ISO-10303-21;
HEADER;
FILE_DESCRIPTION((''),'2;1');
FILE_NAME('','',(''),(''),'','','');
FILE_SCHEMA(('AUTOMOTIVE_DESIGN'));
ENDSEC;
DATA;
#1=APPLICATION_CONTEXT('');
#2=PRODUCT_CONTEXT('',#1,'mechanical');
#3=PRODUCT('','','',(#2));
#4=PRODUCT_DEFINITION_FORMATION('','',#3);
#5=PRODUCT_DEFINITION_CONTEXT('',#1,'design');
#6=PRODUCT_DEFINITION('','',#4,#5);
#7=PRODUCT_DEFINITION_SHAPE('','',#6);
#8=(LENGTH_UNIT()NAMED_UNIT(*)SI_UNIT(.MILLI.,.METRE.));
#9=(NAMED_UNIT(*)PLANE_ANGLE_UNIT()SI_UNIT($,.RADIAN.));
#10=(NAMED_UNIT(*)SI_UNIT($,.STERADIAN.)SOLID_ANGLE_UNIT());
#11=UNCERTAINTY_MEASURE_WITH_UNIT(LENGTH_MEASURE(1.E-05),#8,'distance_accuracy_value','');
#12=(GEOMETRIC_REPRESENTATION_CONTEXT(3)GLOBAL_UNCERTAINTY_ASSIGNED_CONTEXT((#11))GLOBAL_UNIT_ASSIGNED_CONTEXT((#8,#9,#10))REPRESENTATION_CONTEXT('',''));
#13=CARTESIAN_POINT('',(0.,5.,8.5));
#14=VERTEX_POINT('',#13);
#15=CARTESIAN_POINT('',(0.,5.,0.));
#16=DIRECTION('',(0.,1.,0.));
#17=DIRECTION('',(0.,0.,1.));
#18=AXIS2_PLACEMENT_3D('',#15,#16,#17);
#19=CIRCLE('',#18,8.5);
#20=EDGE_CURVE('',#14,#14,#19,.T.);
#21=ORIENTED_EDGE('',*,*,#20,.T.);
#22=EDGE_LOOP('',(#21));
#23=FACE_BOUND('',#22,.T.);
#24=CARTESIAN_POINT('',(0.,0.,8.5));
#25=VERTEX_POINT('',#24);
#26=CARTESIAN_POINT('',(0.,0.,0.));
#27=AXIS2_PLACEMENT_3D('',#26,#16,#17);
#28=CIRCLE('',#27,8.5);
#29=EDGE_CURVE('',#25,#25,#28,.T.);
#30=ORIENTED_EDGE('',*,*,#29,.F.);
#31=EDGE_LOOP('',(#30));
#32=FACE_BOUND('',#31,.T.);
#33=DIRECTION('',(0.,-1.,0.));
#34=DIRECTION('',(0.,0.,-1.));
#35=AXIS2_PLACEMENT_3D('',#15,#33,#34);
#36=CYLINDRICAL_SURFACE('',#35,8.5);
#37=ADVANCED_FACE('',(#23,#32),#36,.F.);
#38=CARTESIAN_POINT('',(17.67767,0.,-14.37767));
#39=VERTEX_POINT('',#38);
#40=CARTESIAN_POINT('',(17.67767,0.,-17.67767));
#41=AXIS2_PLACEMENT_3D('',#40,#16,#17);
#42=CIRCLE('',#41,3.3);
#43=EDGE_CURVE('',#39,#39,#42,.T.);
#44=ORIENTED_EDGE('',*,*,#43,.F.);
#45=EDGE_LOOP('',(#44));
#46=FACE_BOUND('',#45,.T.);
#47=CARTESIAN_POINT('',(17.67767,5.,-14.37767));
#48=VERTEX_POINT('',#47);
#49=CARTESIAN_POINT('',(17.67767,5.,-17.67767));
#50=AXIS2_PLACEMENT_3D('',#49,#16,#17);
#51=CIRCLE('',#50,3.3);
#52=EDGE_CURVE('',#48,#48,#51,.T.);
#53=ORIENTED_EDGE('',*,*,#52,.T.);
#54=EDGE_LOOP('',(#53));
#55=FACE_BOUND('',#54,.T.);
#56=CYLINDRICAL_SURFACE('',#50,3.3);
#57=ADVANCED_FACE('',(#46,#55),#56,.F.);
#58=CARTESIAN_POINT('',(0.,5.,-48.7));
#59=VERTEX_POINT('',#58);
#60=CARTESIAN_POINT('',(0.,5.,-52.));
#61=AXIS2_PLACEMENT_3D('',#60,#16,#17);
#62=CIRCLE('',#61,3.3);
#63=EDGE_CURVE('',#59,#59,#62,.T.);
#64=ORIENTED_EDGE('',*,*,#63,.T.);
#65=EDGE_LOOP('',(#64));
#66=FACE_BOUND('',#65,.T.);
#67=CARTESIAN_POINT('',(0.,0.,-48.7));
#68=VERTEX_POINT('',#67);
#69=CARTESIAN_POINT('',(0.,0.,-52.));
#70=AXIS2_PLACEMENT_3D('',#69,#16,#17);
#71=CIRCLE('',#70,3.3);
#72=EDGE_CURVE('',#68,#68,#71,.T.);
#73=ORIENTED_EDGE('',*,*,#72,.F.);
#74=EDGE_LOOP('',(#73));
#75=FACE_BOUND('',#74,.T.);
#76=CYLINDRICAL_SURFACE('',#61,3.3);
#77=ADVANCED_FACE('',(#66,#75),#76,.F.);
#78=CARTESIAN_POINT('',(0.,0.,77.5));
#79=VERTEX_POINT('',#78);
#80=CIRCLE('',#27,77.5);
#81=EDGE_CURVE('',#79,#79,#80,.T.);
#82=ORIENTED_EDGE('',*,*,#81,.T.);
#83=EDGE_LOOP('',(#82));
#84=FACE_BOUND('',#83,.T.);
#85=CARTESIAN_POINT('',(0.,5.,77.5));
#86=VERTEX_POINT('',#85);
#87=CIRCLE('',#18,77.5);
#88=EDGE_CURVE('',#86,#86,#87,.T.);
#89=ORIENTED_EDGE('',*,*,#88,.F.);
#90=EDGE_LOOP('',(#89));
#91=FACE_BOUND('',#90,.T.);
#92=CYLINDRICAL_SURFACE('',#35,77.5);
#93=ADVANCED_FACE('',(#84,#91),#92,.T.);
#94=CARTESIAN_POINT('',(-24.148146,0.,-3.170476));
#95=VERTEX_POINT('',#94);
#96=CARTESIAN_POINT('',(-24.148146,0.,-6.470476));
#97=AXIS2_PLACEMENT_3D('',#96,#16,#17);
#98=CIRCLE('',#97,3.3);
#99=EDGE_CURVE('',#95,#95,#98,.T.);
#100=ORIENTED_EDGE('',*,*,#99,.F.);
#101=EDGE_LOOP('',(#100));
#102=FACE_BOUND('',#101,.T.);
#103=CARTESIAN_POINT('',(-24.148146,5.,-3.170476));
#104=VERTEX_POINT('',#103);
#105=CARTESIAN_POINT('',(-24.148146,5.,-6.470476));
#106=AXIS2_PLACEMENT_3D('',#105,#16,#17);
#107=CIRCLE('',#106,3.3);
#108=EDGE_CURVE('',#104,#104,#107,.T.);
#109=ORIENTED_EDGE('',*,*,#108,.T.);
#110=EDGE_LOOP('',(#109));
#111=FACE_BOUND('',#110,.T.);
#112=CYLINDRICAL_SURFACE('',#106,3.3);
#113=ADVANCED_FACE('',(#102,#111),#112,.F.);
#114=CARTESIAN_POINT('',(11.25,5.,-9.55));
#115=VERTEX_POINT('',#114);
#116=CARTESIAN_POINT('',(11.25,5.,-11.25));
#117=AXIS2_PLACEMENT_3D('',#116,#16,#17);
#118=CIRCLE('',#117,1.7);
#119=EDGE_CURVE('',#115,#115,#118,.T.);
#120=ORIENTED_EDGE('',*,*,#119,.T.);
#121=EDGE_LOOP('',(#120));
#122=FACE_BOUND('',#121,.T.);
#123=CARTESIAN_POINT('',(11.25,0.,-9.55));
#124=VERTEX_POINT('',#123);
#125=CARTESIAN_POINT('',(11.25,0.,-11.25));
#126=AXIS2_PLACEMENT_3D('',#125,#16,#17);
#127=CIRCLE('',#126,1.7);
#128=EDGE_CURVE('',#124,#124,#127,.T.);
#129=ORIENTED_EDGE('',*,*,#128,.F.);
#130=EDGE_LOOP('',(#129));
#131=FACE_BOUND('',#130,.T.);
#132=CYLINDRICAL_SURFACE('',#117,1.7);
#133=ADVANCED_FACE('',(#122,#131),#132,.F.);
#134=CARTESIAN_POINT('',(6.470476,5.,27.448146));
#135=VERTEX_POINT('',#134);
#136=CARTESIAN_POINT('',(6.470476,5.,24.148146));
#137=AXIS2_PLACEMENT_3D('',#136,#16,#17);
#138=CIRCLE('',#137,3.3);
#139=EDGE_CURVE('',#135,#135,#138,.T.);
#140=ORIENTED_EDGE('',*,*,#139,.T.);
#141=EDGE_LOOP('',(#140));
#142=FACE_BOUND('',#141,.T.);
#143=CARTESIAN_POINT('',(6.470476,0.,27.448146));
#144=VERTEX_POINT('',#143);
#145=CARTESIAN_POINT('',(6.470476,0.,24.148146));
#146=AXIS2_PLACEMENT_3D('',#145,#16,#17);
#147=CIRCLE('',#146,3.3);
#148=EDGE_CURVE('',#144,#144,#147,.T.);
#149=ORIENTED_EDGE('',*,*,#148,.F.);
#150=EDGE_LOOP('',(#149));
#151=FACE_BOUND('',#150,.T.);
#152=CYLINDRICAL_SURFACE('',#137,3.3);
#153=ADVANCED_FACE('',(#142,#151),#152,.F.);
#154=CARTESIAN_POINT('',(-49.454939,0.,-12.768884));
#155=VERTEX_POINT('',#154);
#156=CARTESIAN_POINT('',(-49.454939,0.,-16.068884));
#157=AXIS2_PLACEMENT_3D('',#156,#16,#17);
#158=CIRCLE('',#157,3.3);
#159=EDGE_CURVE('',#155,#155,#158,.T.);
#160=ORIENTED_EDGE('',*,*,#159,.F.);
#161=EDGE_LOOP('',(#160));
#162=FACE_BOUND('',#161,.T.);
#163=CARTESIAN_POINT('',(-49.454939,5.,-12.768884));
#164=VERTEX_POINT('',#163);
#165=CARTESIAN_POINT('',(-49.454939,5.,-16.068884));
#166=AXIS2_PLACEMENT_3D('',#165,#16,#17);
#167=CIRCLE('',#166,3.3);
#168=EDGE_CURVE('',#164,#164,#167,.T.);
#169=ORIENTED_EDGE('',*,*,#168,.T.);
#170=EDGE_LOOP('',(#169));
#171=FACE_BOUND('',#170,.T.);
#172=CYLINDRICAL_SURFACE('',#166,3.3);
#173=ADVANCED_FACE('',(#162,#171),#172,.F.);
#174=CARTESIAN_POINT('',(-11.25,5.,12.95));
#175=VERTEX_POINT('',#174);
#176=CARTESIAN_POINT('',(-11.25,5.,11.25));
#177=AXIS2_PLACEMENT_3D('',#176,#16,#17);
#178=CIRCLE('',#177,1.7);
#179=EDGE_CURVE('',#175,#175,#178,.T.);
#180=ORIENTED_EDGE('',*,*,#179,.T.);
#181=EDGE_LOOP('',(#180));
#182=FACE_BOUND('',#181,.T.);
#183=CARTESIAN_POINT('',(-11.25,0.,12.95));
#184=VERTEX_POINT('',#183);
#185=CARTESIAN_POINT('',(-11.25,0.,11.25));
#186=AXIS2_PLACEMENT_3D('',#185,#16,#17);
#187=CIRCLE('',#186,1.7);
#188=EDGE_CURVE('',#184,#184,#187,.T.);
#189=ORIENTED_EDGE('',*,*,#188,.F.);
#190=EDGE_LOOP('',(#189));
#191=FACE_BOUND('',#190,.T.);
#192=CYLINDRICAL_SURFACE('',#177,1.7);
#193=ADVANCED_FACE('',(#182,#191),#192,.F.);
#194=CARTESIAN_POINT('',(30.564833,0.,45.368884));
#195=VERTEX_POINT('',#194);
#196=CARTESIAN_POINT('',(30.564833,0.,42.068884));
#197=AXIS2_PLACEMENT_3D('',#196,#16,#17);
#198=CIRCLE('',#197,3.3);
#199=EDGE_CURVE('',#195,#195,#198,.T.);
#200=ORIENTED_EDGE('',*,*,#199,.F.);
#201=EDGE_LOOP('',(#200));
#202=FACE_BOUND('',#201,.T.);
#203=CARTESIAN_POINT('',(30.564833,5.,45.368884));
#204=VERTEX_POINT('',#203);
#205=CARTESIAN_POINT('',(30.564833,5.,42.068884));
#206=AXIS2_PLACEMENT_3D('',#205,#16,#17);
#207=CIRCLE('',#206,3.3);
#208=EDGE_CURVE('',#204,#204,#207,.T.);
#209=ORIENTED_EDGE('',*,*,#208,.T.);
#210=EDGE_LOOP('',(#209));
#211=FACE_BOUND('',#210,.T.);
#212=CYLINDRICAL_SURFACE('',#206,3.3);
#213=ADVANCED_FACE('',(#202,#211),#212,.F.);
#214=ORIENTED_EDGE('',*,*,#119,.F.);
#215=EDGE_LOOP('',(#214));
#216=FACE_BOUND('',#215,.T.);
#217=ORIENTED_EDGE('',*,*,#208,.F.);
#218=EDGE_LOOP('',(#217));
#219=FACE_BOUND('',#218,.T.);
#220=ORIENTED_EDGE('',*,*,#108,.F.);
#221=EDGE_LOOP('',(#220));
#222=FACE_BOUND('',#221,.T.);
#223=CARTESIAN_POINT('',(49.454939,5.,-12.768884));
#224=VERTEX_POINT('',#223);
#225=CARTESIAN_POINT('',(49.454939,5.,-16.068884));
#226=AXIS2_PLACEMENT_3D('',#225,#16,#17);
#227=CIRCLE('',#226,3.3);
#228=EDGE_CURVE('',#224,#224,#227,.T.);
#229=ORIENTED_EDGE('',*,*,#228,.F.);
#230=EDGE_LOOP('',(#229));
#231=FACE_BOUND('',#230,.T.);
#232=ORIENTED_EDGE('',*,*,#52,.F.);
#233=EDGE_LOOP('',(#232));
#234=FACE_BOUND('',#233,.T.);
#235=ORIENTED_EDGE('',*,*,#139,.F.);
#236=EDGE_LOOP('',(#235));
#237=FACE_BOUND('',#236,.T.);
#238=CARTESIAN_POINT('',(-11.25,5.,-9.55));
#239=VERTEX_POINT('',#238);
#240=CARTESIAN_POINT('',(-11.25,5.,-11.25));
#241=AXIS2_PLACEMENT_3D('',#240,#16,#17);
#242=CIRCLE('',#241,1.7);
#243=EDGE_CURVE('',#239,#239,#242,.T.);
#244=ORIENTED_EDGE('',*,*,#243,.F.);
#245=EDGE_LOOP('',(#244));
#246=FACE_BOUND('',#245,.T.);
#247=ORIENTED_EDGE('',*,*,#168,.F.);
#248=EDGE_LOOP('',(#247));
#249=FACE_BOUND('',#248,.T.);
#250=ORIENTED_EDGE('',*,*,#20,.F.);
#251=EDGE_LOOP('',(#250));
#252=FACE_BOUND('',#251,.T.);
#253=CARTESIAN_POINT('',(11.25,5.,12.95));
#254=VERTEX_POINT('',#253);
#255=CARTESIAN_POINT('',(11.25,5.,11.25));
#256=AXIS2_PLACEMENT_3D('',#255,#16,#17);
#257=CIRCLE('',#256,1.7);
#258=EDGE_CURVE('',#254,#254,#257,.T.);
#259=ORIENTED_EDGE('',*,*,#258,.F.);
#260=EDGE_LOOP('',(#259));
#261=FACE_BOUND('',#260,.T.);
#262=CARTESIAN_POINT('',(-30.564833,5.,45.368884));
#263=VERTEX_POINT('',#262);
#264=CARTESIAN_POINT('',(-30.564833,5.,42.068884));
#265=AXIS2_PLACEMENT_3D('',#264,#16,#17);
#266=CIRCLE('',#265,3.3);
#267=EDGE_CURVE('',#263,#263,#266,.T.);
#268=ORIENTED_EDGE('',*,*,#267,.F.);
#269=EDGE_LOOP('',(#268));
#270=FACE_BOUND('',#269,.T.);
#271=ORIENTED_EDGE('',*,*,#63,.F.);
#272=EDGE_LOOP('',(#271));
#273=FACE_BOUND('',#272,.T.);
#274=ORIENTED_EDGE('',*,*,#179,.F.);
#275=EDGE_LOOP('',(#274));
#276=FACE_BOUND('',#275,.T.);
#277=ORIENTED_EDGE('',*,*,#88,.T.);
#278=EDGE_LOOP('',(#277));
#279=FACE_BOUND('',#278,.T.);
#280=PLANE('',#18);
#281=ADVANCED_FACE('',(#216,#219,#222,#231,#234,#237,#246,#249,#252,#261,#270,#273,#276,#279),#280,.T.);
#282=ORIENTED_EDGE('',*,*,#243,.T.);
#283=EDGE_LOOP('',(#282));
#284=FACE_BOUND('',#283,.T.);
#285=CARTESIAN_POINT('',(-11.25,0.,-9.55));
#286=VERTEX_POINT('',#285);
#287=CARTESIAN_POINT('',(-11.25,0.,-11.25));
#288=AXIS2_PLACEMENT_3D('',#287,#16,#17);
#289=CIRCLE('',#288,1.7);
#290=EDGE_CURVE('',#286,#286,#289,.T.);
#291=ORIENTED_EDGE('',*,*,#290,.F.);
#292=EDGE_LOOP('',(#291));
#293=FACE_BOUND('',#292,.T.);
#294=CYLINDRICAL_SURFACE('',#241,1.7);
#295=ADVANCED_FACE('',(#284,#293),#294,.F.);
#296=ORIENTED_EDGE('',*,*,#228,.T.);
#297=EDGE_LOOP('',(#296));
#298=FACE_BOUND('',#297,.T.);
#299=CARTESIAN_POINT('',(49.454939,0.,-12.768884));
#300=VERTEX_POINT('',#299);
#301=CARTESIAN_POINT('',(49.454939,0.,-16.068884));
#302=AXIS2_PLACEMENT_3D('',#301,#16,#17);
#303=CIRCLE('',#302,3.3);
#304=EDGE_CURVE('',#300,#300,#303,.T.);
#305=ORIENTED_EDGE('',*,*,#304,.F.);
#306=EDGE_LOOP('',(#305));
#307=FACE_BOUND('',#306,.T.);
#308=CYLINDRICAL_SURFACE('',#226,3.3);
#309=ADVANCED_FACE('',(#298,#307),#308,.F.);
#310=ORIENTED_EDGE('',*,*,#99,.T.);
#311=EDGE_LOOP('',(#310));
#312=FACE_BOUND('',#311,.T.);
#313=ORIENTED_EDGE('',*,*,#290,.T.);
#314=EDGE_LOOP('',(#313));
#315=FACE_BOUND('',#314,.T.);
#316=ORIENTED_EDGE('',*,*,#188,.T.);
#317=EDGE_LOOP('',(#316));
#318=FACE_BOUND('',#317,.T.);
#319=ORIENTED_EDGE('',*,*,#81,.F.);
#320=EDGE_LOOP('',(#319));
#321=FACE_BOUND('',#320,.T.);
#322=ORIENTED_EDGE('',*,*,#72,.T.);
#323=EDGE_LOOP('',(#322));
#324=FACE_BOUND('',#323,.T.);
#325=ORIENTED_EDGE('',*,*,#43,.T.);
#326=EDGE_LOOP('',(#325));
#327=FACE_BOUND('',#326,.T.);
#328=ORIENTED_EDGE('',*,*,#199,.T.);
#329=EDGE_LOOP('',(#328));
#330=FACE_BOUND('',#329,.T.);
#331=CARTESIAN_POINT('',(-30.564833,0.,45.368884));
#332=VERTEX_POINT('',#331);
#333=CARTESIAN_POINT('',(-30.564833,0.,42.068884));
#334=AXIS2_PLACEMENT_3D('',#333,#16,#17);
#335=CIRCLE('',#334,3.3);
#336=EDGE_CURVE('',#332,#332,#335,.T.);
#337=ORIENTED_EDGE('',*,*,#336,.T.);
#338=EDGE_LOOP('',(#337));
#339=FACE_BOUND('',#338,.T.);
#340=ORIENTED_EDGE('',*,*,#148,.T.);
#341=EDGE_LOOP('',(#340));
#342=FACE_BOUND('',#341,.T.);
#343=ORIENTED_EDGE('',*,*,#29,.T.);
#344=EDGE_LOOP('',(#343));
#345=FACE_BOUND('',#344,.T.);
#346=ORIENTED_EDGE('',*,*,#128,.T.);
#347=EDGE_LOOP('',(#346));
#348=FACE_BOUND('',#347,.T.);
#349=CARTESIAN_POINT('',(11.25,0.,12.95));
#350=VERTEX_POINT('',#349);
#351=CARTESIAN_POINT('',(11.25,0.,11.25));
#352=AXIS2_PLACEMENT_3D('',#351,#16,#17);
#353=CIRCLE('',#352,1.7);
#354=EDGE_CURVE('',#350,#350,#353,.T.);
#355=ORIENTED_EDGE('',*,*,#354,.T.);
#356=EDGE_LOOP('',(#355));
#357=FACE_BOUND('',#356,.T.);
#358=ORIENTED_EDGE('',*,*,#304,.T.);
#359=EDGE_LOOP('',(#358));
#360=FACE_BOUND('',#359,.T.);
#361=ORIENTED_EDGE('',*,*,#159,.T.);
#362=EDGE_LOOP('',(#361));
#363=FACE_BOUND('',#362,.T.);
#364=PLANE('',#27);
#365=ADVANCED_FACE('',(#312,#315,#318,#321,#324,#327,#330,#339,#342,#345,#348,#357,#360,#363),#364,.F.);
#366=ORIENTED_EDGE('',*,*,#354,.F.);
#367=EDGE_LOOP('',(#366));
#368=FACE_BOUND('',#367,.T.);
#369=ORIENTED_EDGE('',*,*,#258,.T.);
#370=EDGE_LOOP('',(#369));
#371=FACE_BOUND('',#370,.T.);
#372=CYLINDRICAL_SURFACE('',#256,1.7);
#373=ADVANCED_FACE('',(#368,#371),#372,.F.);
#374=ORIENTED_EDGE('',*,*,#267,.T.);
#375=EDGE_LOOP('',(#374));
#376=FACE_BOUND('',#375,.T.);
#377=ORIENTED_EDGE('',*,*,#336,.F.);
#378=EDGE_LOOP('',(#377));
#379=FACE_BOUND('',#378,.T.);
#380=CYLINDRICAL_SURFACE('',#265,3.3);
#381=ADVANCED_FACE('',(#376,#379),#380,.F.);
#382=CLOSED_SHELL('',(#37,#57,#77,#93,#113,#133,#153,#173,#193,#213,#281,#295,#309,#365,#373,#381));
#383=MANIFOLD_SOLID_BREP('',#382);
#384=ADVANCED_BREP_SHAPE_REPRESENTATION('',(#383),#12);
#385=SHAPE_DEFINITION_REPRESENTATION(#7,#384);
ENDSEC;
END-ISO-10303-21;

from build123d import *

# Parameters (mm, degrees)
SKETCH1_R            = 77.5
SKETCH1_R_2          = 8.5
BODY_DEPTH           = 5
M6_CLEARANCE_HOLE1_D = 6.6
M3_CLEARANCE_HOLE1_D = 3.4
M6_CLEARANCE_HOLE2_D = 6.6


with BuildPart() as part:
    # Sketch1 → Body (new body)
    with BuildSketch(Plane(origin=(0, 0, 0), x_dir=(1, 0, 0), z_dir=(0, 1, 0))):
        with Locations(Location((0, 0, 0), (0, 0, 270))):
            Circle(SKETCH1_R)
        with Locations(Location((0, 0, 0), (0, 0, 270))):
            Circle(SKETCH1_R_2, mode=Mode.SUBTRACT)
    extrude(amount=BODY_DEPTH)

    # M6 Clearance Hole1 (through all)
    with Locations(Plane(origin=(0, 5, 0), x_dir=(1, 0, 0), z_dir=(0, 1, 0))):
        with Locations((0, 52), (49.454938847, 16.068883707), (30.564833119, -42.068883707), (-30.564833119, -42.068883707), (-49.454938847, 16.068883707), (0, 0)):
            Hole(M6_CLEARANCE_HOLE1_D / 2)

    # M3 Clearance Hole1 (through all)
    with Locations(Plane(origin=(0, 5, 0), x_dir=(1, 0, 0), z_dir=(0, 1, 0))):
        with Locations((0, 0), (-11.25, 11.25), (11.25, -11.25), (11.25, 11.25), (-11.25, -11.25)):
            Hole(M3_CLEARANCE_HOLE1_D / 2)

    # M6 Clearance Hole2 (through all)
    with Locations(Plane(origin=(0, 5, 0), x_dir=(1, 0, 0), z_dir=(0, 1, 0))):
        with Locations((17.67766953, 17.67766953), (6.470476128, -24.148145657), (-24.148145657, 6.470476128), (0, 0)):
            Hole(M6_CLEARANCE_HOLE2_D / 2)


solid = part.part
